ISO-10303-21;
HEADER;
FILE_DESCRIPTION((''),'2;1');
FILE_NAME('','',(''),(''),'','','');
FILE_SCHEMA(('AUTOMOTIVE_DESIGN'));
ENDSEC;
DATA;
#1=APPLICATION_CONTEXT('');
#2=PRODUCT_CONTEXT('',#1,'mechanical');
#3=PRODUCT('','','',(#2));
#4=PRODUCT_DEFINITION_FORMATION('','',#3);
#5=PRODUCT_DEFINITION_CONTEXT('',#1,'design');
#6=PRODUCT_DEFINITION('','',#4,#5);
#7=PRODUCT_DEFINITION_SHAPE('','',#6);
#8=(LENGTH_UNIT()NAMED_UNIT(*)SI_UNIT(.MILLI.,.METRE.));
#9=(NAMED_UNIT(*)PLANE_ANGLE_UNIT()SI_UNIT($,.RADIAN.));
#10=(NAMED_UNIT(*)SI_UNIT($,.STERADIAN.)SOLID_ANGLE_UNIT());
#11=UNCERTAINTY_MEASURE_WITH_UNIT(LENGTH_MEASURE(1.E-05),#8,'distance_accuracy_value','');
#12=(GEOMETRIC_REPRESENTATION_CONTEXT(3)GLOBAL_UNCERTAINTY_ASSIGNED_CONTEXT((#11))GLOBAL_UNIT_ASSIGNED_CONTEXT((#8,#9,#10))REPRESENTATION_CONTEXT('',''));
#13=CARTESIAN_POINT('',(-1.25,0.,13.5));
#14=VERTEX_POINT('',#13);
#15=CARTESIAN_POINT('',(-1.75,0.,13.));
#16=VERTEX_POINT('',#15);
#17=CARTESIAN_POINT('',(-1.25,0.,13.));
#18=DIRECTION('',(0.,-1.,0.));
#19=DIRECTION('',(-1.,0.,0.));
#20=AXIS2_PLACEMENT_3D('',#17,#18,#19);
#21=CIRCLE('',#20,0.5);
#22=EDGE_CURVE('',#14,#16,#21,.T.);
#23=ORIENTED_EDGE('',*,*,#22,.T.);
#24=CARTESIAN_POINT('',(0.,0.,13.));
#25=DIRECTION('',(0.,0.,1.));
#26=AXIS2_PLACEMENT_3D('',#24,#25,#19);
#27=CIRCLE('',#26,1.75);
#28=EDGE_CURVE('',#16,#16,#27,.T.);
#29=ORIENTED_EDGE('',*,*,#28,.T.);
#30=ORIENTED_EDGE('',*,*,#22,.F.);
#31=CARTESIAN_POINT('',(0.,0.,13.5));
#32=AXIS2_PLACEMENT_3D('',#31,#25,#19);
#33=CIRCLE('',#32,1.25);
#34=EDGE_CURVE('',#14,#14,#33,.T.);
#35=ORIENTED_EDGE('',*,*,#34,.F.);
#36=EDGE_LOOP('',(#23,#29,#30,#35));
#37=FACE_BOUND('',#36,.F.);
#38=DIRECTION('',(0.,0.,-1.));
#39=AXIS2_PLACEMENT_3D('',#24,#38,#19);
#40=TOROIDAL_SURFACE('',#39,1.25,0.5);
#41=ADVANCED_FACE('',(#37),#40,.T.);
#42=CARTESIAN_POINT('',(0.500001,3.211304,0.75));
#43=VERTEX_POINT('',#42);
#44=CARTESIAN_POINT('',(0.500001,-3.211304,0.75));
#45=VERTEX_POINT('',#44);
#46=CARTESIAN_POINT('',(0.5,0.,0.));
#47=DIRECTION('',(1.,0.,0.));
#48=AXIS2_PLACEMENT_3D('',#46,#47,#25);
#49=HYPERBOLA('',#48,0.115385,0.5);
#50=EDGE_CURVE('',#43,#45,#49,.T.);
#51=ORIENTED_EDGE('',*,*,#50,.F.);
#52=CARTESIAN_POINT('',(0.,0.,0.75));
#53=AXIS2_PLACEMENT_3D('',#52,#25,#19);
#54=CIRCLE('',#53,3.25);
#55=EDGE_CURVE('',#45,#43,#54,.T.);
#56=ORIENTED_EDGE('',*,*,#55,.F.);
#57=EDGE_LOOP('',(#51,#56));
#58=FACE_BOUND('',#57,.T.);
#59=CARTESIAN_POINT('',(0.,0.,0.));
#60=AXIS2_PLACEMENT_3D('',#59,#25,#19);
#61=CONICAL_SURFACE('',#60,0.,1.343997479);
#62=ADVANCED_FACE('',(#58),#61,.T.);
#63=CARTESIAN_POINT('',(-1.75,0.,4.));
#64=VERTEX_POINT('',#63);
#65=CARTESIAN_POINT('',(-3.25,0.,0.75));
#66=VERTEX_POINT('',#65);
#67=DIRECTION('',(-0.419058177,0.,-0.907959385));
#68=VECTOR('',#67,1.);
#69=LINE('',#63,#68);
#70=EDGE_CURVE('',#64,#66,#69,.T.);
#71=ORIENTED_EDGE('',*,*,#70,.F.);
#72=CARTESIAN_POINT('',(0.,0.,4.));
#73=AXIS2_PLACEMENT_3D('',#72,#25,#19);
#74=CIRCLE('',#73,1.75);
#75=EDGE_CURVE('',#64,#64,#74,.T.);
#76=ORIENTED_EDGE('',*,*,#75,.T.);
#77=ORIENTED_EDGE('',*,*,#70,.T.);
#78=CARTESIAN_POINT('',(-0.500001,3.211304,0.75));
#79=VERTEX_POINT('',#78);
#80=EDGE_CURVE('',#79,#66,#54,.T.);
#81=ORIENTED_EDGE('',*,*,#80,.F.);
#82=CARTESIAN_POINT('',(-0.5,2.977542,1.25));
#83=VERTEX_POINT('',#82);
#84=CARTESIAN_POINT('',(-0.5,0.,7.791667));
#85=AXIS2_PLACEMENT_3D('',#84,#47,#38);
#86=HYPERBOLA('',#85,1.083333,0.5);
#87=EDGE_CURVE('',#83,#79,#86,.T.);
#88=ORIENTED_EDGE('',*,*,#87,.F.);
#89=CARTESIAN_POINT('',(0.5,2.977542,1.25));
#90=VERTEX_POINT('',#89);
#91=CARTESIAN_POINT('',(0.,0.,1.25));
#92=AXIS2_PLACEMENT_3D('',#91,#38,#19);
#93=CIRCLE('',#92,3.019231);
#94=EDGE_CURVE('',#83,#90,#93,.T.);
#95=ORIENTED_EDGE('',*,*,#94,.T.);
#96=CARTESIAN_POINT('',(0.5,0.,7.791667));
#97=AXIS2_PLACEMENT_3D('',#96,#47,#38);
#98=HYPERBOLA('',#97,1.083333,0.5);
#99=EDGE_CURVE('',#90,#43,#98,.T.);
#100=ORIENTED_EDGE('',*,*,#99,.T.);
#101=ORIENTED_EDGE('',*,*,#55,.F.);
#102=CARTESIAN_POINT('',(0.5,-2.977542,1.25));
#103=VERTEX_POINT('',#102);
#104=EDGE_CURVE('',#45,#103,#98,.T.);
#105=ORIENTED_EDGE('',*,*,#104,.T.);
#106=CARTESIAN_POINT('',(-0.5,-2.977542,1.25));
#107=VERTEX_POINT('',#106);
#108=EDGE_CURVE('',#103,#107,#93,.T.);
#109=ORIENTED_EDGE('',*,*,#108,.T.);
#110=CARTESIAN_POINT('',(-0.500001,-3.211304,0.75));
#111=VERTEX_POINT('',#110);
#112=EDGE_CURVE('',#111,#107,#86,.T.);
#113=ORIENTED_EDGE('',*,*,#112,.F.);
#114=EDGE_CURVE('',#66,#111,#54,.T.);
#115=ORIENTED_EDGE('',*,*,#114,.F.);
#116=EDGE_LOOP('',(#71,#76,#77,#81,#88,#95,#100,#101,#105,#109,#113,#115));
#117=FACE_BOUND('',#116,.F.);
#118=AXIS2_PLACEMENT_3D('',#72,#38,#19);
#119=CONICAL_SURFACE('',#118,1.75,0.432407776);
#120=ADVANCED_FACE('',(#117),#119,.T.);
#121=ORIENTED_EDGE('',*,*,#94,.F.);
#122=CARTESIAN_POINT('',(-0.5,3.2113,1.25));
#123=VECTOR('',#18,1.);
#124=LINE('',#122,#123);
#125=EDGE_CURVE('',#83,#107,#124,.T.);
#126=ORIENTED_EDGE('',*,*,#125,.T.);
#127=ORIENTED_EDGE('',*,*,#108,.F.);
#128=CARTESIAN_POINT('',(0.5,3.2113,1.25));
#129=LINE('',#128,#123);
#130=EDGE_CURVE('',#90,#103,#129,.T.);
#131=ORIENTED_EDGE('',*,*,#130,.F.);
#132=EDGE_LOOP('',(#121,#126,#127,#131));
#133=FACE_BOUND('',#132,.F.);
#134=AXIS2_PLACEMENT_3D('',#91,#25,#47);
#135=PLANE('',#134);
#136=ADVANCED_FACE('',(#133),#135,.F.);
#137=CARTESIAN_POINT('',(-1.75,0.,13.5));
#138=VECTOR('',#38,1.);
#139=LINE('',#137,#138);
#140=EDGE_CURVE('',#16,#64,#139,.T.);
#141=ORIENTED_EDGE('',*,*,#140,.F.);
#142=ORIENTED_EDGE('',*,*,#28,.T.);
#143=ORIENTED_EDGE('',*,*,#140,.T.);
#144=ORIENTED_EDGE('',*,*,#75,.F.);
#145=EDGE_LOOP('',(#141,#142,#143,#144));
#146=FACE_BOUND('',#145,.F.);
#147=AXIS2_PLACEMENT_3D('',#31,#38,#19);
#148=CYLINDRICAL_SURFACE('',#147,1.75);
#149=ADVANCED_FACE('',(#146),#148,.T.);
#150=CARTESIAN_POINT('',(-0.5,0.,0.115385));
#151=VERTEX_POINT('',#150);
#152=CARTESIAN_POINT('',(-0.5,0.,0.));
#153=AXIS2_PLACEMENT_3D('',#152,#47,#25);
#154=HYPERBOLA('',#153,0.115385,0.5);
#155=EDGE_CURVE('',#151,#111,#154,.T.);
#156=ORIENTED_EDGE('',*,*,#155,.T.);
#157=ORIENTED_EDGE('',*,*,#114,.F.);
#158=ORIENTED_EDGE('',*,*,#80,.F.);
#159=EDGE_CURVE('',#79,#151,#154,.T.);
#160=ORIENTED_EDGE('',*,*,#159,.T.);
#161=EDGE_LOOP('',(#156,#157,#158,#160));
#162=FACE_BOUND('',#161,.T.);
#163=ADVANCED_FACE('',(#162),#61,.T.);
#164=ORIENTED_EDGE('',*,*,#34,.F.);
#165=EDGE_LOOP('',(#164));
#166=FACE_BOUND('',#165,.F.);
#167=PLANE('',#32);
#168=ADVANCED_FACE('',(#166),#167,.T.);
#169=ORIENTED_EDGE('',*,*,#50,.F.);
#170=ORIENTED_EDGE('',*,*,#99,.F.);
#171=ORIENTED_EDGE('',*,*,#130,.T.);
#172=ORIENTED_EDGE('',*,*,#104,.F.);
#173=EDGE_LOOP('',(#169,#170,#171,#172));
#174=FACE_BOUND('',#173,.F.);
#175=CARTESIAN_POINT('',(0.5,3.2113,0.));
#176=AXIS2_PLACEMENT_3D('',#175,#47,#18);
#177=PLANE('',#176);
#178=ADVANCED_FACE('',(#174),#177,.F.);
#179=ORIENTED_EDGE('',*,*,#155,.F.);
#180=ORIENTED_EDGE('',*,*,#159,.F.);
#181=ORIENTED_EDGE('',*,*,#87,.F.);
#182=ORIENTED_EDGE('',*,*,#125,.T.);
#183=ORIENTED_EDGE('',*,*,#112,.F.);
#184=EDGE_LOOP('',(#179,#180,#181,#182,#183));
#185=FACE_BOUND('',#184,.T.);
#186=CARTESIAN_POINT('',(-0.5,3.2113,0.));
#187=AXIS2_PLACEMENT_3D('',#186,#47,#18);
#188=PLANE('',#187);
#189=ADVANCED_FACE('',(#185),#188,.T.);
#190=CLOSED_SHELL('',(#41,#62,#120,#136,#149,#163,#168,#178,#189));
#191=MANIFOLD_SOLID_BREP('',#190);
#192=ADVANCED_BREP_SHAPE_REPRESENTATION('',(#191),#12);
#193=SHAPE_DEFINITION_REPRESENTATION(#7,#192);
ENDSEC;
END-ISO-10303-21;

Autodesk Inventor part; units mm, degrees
ref_plane "YZ Plane" through (0, 0, 0) normal (1, 0, 0) x (0, 1, 0)
ref_plane "XZ Plane" through (0, 0, 0) normal (0, 1, 0) x (-1, 0, 0)
ref_plane "XY Plane" through (0, 0, 0) normal (0, 0, 1) x (1, 0, 0)
sketch "Sketch1" plane through (0, 0, 0) normal (0, 1, 0) x (-1, 0, 0)
  line L0 (0, 0) -> (0, 13.5)
  line L1 (0, 13.5) -> (1.75, 13.5)
  line L2 (1.75, 13.5) -> (1.75, 4)
  line L3 (0, 0) -> (3.25, 0.75)
  line L4 (1.75, 4) -> (3.25, 0.75)
  dimension "d0" = 13.5
  dimension "d1" = 1.75
  dimension "d2" = 3.25
  dimension "d4" = 0.75
  dimension "d5" = 9.5
revolve "Revolution1" add sketch "Sketch1" angle 360 about axis through (0, 0, 0) along (0, 0, 1)
ref_plane "Work Plane1" through (0, 0, 0) normal (0, 0, 1) x (1, 0, 0)
sketch "Sketch2" plane through (0, 0, 0) normal (0, 0, 1) x (1, 0, 0)
  line L0 (0.5, 3.2113) -> (0.5, -3.2113)
  line L1 (-0.5, 3.2113) -> (-0.5, -3.2113)
  circle A0 centre (0, 0) radius 3.25 projected
  dimension "d8" = 1
  dimension "d9" = 0.5
extrude "Extrusion1" cut sketch "Sketch2" along normal blind 1.25 contours L0 A0 L1
thread "Thread1" size "M3.5x0.6" class "6g" standard "ANSI Metric M Profile" full length
fillet "Fillet1" radius 0.5 1 edges at (1.75, 0, 13.5)
properties part number "Screw"
